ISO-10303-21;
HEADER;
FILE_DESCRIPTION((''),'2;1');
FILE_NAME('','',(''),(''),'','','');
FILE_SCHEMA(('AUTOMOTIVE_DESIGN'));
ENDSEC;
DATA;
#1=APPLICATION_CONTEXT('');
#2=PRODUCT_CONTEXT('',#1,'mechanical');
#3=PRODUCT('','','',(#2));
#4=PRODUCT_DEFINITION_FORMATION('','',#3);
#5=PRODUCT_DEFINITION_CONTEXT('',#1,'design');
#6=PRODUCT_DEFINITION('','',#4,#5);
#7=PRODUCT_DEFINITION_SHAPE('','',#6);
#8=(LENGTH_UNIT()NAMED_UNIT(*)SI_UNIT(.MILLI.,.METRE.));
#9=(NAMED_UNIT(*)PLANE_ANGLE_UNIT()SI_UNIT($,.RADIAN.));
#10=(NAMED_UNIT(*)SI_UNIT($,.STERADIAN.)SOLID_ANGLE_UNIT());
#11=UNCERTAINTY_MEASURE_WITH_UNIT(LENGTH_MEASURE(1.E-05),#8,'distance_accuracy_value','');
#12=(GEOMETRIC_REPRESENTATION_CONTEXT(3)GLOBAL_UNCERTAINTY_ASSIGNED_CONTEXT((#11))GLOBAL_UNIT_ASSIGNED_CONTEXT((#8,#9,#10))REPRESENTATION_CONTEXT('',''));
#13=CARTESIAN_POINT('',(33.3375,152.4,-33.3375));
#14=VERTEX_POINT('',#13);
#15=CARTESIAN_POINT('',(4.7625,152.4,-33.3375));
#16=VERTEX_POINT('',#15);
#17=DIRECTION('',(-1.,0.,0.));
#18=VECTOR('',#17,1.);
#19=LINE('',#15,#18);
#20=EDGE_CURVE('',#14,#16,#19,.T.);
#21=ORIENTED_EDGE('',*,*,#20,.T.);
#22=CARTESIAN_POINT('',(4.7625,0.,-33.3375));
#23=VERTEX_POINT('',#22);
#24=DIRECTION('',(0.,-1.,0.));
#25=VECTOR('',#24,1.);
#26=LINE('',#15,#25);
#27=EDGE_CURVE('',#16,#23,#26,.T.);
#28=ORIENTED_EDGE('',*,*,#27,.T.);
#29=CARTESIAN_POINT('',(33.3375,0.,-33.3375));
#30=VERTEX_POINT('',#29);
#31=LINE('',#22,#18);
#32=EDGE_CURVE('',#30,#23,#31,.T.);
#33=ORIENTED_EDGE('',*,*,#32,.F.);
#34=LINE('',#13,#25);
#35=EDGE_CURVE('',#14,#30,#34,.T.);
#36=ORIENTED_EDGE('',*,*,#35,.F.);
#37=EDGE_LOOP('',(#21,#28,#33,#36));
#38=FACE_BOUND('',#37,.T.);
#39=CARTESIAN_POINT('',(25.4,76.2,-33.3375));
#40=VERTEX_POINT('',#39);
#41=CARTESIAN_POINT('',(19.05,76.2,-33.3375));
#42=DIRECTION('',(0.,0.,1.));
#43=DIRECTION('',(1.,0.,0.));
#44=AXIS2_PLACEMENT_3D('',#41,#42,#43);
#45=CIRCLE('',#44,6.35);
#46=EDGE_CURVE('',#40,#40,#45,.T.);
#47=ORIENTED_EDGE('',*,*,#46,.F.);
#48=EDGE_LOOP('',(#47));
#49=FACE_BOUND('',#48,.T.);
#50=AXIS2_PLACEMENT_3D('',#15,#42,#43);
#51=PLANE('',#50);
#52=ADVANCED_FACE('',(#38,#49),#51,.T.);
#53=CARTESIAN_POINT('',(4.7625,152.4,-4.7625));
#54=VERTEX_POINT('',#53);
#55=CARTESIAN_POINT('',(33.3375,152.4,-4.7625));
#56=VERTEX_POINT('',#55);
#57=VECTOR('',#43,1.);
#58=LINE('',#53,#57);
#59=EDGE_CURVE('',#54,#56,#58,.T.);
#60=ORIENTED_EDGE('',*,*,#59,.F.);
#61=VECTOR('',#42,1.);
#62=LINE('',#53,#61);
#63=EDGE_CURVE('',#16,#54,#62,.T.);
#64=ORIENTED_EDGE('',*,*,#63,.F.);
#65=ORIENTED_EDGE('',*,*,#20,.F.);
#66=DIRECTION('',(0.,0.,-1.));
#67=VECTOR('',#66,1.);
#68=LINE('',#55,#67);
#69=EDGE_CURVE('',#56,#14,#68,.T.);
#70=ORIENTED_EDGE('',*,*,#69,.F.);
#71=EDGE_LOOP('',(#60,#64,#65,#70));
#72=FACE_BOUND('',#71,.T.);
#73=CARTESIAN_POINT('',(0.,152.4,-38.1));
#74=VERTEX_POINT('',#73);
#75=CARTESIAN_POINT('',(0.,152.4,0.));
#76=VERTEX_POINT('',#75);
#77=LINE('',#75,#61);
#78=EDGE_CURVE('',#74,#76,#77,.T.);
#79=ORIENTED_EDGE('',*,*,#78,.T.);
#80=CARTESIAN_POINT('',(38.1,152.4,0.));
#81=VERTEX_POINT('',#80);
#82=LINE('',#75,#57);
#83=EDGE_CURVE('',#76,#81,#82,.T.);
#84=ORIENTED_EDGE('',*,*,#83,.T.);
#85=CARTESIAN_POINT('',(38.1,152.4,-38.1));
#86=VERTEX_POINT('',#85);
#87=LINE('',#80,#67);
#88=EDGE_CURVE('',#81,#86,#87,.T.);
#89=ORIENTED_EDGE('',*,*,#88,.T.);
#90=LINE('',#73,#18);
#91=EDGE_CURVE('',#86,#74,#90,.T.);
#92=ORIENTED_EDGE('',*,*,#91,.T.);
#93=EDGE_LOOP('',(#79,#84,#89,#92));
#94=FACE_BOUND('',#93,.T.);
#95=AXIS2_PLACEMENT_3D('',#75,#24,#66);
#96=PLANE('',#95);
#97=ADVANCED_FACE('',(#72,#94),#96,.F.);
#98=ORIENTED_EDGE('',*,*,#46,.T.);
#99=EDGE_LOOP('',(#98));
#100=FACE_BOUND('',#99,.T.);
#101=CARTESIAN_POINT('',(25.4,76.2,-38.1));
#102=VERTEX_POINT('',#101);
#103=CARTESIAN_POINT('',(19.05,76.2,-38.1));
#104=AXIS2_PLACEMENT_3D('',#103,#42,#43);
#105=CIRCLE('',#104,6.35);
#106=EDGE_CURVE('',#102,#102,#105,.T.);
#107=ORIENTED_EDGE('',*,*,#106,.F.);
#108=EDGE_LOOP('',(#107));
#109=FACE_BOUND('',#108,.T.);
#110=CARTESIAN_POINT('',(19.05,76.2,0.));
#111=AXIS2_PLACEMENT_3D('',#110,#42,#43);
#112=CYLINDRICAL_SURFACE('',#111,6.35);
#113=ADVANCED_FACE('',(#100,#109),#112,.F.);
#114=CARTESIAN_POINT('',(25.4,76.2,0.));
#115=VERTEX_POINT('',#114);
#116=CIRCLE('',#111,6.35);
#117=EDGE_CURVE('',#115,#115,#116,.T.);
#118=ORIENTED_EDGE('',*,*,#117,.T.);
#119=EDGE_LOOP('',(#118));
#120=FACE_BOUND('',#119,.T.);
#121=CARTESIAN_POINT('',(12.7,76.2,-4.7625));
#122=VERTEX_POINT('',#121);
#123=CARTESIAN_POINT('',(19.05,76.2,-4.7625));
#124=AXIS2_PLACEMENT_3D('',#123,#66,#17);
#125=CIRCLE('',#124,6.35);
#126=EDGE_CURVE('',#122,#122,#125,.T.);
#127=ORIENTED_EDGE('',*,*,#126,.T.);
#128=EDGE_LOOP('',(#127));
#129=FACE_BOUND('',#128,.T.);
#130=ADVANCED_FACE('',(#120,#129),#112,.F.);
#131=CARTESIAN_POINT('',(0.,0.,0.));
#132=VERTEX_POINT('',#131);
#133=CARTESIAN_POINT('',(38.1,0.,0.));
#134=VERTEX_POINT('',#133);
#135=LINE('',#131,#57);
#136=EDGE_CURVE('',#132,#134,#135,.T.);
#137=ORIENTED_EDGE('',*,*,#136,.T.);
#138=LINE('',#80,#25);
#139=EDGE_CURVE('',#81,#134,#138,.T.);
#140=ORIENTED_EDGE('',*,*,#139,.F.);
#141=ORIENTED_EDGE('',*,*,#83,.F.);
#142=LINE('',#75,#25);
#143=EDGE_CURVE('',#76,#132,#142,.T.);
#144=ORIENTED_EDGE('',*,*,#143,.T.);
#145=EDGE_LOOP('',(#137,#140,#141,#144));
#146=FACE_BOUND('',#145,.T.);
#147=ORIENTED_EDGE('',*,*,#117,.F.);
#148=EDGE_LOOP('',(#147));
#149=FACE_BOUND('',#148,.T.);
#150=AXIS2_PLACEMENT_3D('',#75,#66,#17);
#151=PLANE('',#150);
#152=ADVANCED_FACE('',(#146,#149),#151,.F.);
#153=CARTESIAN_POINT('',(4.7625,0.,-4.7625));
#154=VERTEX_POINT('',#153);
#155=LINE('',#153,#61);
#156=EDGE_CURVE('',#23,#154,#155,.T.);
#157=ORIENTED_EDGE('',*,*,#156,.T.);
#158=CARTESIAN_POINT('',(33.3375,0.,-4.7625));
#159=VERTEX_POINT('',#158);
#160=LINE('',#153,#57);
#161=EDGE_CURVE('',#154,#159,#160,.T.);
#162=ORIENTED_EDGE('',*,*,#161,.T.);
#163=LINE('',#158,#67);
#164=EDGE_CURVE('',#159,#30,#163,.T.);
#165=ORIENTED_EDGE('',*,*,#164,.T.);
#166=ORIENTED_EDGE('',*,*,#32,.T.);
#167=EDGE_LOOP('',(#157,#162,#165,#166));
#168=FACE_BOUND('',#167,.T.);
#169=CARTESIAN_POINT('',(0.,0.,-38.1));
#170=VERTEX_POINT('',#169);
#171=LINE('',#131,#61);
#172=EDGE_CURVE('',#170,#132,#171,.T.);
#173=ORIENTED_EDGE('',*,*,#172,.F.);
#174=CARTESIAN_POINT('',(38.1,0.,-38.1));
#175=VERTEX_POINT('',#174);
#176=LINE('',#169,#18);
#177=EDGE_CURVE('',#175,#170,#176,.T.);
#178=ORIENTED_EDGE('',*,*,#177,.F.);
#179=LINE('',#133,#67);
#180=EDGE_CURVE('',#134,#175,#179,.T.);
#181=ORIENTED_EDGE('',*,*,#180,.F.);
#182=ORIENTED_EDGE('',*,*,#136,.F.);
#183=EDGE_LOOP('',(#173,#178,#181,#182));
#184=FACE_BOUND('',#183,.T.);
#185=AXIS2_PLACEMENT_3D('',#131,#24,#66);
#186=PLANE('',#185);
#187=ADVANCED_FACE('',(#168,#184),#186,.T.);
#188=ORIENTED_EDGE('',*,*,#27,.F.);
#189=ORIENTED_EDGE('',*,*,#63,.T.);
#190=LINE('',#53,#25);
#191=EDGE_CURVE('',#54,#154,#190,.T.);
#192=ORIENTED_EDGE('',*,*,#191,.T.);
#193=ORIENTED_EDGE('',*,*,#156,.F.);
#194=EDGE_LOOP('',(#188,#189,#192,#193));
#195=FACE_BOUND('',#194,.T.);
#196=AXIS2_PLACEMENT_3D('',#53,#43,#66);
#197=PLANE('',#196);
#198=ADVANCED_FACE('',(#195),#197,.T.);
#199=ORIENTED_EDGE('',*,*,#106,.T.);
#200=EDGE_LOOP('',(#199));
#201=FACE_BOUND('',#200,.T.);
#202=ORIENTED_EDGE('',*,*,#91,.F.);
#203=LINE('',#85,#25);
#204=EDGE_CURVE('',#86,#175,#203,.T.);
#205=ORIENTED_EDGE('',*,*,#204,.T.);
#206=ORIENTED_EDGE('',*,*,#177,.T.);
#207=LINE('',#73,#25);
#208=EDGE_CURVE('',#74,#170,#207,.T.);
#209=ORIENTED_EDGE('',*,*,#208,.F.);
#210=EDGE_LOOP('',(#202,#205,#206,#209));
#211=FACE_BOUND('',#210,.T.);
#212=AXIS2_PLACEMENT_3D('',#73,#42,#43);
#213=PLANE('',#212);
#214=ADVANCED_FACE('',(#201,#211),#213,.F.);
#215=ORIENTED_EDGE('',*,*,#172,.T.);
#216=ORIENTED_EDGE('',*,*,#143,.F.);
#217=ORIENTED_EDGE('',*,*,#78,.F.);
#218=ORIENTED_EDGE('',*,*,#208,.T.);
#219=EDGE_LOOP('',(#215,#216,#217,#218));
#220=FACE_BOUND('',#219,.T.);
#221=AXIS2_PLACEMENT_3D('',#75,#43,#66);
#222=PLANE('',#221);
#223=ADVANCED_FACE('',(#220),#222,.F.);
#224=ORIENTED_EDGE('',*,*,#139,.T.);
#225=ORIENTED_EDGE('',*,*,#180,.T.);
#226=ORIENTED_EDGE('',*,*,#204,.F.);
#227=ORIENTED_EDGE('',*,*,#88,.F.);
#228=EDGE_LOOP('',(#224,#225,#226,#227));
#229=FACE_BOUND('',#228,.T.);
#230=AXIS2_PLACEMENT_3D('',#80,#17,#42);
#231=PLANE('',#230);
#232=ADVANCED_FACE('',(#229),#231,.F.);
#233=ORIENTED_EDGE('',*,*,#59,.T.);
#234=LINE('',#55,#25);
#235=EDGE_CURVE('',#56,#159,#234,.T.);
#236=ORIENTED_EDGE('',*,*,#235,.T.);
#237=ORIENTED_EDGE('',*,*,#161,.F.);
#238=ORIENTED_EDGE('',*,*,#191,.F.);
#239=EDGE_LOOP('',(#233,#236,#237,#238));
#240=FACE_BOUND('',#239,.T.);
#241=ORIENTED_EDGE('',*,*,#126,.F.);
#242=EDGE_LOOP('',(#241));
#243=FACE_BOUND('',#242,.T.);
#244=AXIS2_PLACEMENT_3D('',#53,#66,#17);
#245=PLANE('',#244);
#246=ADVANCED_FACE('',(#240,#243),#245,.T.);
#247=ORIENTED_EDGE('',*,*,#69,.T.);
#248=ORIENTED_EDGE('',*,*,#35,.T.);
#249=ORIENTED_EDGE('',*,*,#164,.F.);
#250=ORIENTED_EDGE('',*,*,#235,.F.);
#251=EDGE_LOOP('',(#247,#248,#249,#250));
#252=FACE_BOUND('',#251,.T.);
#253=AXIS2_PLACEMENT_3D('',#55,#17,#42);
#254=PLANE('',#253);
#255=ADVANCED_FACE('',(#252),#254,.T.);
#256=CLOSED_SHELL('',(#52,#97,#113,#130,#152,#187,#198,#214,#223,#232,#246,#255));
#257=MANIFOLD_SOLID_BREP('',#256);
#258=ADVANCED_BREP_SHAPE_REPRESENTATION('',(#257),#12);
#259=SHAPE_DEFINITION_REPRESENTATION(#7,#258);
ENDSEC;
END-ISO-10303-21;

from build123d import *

# Parameters (mm, degrees)
SKETCH1_W                  = 38.1
SKETCH1_H                  = 38.1
SKETCH1_W_2                = 28.575
SKETCH1_H_2                = 28.575
BOSS_EXTRUDE1_DEPTH        = 152.4
F_1_2_0_5_DIAMETER_HOLE1_D = 12.7


with BuildPart() as part:
    # Sketch1 → Boss-Extrude1 (new body)
    with BuildSketch(Plane(origin=(0, 0, 0), x_dir=(1, 0, 0), z_dir=(0, 1, 0))):
        with Locations((19.05, 19.05)):
            Rectangle(SKETCH1_W, SKETCH1_H)
        with Locations((19.05, 19.05)):
            Rectangle(SKETCH1_W_2, SKETCH1_H_2, mode=Mode.SUBTRACT)
    extrude(amount=BOSS_EXTRUDE1_DEPTH)

    # 1/2 (0.5) Diameter Hole1 (through all)
    with Locations(Plane.XY):
        with Locations((19.05, 76.2)):
            Hole(F_1_2_0_5_DIAMETER_HOLE1_D / 2)


solid = part.part
